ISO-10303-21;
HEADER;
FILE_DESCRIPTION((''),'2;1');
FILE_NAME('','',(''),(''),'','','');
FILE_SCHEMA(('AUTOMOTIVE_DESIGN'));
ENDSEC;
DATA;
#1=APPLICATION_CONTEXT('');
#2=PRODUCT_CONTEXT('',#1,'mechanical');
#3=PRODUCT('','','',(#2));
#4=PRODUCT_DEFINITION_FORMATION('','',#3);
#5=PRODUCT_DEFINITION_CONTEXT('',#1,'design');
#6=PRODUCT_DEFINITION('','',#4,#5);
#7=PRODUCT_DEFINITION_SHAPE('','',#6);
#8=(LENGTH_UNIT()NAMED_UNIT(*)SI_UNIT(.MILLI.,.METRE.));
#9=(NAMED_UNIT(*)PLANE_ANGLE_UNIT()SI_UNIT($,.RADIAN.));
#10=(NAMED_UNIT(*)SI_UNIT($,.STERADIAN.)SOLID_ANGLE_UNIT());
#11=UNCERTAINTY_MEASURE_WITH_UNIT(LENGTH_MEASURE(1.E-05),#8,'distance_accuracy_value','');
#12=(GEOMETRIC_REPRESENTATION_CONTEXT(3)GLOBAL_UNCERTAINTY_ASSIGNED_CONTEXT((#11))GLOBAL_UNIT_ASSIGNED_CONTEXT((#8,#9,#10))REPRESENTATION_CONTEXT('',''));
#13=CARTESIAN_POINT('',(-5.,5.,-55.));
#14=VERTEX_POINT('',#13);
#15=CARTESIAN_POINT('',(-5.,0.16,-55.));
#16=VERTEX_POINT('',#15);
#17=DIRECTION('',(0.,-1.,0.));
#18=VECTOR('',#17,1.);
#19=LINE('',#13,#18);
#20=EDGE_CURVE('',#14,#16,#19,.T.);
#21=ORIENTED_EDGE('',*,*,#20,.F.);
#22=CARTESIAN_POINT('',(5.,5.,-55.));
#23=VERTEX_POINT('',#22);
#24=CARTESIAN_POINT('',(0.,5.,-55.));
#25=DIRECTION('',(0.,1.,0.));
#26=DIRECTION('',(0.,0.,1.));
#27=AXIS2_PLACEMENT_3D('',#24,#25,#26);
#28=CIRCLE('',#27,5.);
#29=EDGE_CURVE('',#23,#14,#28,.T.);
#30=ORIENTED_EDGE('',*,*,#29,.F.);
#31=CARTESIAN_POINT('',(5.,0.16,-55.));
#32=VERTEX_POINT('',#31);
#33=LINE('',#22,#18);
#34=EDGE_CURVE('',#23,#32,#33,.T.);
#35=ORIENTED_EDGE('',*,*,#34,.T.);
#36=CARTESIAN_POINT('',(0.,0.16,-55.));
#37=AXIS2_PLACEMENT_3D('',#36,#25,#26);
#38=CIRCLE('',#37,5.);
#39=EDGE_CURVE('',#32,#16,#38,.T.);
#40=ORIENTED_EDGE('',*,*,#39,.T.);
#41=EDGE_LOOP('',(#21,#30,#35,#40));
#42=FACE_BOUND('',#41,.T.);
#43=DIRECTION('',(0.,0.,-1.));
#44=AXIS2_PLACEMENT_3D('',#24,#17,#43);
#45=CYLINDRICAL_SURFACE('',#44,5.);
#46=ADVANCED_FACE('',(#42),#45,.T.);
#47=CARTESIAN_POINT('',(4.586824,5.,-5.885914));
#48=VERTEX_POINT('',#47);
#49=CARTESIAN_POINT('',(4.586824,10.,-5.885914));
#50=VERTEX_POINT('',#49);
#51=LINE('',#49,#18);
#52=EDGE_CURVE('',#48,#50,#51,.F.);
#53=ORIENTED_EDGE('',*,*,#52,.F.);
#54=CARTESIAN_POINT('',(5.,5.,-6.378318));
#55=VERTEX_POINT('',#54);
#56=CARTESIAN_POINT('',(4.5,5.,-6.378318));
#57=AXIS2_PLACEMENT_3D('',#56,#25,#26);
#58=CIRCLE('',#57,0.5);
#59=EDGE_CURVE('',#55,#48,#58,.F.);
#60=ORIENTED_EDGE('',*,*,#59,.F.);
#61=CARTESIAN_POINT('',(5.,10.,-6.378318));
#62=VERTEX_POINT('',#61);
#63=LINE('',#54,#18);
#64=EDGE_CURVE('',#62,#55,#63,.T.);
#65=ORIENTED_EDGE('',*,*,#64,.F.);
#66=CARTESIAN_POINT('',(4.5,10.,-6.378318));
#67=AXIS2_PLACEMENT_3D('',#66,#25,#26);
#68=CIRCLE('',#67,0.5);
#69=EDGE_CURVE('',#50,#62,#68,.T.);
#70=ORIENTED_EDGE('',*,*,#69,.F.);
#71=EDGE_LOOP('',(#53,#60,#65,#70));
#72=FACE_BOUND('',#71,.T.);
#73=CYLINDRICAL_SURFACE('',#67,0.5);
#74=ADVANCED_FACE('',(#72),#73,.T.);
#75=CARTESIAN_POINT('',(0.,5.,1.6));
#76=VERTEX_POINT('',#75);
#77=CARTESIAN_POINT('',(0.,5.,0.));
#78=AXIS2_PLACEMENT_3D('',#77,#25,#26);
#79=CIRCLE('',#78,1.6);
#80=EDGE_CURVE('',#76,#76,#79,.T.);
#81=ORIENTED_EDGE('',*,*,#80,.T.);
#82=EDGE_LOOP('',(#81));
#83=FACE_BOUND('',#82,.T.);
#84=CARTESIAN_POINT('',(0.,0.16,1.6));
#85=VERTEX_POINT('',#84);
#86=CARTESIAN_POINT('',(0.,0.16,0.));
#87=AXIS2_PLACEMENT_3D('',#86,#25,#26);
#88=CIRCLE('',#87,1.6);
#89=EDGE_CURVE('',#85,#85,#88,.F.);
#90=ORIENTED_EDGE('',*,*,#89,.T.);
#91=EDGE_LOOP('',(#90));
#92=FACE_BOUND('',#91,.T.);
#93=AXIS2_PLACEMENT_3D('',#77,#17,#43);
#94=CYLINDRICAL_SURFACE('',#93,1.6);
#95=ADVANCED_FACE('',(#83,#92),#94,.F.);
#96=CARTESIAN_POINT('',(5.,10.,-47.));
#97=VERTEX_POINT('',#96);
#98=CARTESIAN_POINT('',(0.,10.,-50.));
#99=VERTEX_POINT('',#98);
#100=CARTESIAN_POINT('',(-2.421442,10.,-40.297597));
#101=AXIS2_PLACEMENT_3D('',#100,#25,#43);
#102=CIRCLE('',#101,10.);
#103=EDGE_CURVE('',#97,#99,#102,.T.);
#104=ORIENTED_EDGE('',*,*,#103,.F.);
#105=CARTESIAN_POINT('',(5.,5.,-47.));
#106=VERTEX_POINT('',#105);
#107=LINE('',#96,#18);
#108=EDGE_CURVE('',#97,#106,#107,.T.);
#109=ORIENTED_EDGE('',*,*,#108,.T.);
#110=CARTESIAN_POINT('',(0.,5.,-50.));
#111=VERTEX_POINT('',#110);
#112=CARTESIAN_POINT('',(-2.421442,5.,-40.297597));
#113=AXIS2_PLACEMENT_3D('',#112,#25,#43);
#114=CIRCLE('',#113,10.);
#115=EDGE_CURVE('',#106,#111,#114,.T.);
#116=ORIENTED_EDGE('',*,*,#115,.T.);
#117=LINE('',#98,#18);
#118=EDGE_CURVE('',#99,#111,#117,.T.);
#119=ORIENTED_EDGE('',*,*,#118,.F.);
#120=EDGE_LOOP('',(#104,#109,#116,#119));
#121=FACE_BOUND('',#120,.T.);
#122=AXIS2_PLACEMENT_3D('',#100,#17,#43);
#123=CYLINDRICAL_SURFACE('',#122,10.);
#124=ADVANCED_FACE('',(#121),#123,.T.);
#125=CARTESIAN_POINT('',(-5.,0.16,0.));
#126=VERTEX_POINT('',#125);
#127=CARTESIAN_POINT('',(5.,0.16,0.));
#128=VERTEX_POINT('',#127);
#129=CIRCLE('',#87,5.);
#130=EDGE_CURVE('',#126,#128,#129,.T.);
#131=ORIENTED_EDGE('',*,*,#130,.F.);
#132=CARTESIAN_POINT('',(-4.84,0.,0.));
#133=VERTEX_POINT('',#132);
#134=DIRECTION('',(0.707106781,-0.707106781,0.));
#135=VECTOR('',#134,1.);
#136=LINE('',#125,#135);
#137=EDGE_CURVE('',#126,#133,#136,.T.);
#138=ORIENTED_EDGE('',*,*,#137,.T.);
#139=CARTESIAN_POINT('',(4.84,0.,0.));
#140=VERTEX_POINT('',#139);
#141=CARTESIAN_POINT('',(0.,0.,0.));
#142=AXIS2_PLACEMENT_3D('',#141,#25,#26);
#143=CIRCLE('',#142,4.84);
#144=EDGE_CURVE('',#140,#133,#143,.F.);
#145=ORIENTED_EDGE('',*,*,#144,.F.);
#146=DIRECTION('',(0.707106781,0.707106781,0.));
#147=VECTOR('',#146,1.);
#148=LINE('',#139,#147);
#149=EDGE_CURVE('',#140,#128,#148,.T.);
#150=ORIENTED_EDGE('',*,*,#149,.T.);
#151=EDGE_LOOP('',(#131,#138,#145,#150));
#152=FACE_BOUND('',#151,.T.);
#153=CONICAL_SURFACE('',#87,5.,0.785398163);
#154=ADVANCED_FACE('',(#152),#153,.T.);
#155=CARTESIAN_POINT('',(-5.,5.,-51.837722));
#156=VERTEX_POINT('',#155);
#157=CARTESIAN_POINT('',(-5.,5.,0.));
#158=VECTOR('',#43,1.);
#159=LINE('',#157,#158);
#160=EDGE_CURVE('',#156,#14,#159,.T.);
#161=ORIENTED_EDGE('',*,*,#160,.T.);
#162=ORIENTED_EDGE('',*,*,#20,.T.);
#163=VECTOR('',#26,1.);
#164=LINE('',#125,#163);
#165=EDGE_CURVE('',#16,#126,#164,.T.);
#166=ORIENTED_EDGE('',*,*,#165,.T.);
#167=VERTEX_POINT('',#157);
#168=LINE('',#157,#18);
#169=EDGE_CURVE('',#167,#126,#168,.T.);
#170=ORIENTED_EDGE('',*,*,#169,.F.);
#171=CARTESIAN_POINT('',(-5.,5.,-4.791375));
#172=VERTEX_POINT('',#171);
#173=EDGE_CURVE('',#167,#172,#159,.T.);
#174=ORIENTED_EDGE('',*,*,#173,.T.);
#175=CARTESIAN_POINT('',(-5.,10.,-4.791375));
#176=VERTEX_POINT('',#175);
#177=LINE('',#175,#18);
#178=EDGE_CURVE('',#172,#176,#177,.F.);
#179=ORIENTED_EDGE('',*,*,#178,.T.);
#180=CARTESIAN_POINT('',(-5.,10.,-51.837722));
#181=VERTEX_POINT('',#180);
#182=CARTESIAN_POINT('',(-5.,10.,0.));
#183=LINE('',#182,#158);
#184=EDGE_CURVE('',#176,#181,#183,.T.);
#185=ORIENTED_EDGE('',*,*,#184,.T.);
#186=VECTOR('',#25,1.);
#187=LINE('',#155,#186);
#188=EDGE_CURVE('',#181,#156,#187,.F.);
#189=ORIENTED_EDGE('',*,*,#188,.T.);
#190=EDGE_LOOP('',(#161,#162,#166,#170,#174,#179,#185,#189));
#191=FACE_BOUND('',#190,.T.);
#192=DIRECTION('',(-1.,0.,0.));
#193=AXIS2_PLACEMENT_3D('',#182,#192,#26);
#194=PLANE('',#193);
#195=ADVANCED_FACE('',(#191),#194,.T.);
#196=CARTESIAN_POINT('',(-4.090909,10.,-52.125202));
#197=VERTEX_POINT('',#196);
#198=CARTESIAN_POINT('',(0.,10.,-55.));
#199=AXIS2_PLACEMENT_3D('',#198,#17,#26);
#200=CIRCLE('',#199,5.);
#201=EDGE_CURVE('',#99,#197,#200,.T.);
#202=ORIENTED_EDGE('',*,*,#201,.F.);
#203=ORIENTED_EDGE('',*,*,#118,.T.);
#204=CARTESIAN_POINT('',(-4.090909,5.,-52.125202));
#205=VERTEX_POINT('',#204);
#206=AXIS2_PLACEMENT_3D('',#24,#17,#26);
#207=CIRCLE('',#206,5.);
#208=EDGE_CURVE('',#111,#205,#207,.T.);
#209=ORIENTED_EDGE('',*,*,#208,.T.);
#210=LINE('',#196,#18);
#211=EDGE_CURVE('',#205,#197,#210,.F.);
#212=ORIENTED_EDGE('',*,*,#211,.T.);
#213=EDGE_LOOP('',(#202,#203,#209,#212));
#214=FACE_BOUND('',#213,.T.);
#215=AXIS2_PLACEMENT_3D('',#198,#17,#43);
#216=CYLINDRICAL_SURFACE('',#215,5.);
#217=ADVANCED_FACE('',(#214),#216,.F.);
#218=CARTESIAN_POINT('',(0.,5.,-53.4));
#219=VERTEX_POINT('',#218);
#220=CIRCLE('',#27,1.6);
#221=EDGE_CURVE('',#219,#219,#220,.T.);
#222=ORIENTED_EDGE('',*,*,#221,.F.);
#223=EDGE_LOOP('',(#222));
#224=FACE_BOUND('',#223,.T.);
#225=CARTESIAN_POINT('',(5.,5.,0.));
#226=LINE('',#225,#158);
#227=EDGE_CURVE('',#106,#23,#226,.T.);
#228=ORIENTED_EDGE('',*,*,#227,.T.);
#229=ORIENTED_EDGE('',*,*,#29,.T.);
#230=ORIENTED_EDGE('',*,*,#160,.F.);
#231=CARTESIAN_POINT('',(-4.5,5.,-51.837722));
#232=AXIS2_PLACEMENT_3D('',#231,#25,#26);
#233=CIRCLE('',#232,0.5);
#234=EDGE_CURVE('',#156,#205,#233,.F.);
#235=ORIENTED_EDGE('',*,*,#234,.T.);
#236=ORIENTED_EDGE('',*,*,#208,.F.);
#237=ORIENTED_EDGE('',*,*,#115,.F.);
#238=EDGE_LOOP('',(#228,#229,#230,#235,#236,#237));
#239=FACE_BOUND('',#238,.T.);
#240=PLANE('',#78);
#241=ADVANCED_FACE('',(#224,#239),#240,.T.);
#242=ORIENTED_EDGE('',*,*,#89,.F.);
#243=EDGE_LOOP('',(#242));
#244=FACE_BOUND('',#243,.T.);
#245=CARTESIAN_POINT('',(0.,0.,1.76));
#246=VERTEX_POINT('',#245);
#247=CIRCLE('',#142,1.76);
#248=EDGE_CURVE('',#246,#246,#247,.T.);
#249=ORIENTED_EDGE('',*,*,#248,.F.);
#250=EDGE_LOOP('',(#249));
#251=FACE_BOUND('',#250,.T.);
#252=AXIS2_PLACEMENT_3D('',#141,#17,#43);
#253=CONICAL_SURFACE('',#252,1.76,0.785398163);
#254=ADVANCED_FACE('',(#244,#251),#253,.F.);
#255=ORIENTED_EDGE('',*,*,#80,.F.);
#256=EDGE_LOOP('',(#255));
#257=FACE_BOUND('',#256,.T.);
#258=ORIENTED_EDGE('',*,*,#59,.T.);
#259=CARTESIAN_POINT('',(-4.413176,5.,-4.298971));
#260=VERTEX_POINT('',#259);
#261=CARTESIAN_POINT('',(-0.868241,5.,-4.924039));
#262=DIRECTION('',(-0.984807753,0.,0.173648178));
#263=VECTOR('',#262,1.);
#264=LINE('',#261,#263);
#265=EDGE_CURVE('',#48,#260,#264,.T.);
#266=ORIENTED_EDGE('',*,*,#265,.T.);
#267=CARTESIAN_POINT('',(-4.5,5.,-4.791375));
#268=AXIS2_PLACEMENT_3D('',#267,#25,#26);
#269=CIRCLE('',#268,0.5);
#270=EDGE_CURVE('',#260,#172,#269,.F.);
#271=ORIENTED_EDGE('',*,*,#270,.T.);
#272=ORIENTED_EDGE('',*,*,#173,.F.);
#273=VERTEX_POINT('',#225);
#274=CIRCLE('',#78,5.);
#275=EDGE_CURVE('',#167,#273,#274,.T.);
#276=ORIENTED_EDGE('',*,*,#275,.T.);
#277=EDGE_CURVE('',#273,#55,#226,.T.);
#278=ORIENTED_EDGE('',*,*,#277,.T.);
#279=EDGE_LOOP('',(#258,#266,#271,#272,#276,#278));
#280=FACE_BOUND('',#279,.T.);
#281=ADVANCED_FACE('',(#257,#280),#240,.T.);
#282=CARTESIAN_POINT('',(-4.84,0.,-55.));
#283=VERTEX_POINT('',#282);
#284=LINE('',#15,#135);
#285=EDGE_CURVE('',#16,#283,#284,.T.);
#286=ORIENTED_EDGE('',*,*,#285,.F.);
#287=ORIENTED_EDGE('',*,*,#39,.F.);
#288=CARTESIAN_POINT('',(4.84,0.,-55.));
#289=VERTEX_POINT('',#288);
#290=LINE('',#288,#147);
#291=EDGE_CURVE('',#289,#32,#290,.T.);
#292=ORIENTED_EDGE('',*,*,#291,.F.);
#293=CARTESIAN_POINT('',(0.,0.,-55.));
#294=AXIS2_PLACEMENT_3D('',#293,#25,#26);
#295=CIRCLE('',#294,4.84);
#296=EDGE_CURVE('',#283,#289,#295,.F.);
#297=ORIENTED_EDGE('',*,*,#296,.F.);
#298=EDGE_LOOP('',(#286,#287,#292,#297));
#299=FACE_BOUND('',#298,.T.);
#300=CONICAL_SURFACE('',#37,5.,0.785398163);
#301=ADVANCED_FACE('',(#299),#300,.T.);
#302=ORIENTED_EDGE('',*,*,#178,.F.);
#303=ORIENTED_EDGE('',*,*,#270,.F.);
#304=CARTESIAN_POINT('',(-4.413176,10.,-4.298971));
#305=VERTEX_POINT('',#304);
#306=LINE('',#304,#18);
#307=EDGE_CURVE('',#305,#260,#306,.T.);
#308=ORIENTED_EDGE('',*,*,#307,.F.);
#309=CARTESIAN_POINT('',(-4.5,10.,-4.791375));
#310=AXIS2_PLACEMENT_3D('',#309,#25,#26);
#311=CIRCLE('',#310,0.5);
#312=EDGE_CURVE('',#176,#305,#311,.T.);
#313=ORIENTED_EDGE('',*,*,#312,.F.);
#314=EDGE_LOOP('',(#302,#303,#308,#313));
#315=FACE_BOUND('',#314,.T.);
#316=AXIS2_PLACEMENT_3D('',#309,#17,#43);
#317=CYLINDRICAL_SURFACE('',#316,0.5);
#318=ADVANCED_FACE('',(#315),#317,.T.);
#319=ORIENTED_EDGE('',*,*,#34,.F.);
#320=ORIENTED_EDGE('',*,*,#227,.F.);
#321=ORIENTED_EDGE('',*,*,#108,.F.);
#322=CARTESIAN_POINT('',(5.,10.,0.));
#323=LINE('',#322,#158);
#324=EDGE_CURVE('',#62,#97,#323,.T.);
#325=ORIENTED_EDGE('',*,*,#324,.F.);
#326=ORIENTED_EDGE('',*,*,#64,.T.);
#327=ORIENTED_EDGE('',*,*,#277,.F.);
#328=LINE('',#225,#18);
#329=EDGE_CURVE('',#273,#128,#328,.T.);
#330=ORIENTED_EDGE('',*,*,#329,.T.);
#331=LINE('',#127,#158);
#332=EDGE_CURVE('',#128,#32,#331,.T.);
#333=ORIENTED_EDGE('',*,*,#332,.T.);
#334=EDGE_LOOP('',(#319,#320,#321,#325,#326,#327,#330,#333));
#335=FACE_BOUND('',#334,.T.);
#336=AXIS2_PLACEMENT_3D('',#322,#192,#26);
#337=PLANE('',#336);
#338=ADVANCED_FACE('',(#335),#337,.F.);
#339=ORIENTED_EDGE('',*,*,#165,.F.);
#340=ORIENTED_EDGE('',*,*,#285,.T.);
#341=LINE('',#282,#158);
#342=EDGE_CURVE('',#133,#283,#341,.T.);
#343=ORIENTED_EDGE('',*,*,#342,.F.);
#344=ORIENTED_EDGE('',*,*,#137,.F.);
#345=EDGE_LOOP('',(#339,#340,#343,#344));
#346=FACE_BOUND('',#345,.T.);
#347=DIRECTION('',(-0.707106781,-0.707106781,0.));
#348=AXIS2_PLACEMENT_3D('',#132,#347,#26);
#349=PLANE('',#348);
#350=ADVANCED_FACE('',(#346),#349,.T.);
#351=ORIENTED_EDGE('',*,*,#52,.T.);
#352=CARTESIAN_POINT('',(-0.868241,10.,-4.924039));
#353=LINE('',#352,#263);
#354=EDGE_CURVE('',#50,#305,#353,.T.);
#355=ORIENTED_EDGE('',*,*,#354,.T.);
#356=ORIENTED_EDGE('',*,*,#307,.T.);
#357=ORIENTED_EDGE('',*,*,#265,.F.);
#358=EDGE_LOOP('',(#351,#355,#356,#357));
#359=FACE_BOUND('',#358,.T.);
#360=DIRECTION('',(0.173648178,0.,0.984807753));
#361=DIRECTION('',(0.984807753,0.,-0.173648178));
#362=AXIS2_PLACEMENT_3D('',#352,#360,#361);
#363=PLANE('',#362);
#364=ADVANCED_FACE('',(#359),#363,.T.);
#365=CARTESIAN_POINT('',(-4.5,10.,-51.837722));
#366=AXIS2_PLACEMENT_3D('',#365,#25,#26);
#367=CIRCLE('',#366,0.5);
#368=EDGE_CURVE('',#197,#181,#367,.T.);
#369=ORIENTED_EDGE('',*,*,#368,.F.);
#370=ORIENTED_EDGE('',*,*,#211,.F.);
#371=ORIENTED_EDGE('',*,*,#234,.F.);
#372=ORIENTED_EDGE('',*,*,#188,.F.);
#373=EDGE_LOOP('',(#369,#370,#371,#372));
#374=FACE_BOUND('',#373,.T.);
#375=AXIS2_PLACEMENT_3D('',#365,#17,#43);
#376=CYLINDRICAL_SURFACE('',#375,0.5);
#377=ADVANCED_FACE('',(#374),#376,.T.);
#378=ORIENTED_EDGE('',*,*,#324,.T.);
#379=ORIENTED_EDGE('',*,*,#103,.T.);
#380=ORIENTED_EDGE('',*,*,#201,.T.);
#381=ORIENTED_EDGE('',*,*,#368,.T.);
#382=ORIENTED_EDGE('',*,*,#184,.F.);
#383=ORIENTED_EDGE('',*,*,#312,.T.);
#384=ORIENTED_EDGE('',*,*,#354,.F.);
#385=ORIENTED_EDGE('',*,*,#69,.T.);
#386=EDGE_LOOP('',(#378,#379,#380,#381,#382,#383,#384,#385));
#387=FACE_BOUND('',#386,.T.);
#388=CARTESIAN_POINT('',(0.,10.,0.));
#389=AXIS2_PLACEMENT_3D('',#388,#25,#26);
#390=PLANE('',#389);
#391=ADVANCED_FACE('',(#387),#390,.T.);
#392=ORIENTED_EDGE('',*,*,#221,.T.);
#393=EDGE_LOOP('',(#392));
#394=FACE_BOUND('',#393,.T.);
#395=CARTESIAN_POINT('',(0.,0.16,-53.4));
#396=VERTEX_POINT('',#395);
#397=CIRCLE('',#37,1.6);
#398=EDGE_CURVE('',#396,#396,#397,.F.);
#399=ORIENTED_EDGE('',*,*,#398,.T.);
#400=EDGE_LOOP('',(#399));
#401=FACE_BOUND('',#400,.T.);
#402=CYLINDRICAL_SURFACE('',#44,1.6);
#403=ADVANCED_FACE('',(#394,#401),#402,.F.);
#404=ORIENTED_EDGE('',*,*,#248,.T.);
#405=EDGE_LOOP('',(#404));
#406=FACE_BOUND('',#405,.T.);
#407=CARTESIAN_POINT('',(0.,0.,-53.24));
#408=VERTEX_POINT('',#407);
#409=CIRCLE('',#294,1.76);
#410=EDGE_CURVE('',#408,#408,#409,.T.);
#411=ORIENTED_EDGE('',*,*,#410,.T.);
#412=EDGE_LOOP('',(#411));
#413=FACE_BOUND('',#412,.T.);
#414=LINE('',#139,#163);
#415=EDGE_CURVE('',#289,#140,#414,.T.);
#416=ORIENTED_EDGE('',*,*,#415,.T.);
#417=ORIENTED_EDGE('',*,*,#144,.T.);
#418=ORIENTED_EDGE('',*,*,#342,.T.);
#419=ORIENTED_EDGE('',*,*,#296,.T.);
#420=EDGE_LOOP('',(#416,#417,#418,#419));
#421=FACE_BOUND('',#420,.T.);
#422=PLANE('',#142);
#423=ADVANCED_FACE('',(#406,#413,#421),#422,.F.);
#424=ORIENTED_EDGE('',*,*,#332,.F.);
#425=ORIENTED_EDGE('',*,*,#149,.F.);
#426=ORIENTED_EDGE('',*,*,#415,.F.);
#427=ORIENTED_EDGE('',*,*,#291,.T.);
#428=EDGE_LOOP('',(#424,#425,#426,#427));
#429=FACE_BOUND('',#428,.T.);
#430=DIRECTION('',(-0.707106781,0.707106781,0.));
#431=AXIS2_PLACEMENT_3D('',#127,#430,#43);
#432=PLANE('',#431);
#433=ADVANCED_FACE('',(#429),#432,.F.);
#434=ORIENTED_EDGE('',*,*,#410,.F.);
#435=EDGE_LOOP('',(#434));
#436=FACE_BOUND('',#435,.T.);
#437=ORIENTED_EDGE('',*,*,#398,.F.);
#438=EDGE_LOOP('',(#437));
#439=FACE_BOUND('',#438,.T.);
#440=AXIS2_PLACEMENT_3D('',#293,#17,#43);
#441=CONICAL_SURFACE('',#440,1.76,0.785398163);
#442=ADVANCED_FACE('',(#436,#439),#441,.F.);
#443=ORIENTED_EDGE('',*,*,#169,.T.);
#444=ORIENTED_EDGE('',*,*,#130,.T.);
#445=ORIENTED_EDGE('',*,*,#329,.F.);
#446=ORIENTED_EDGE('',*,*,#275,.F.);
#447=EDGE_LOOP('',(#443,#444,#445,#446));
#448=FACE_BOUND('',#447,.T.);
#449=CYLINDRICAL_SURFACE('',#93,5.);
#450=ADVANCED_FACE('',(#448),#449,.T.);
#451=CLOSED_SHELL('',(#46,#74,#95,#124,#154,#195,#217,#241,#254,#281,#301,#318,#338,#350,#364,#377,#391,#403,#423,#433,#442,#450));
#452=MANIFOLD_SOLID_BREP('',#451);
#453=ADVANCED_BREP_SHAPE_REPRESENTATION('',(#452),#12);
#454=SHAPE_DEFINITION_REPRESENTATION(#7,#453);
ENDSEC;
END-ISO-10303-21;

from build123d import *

# Parameters (mm, degrees)
CENTER_BODY_DEPTH               = 10
SKETCH1_3_R                     = 1.6
SKETCH1_3_R_2                   = 1.6000000000000003
CONNECTOR_BODY_DEPTH            = 5
MECH_LOCK_RIGHT_DEPTH           = 5
DULLING_FILLET_GENERAL_R        = 0.5
ELEPHANTSFOOT_COMPENSATION_SIZE = 0.16
DULLING_FILLET_RIGHT_R          = 0.5


with BuildPart() as part:
    # complete_sketch → center_body (new body)
    with BuildSketch(Plane(origin=(0, 0, 0), x_dir=(1, 0, 0), z_dir=(0, 1, 0))):
        Polygon((-5, 47), (-5, 4.195498155886381), (5, 5.958767962971076), (5, 47), align=None)
    extrude(amount=CENTER_BODY_DEPTH)

    # Sketch1<3> → connector_body (add)
    # profile 1 of 2: a face of its own
    with BuildSketch(Plane(origin=(0, 0, 0), x_dir=(1, 0, 0), z_dir=(0, 1, 0))):
        with BuildLine():
            Line((-5, 4.195498155886381), (-5, 0))
            ThreePointArc((-5, 0), (-3.1e-16, -5), (5, -6.1e-16))
            Line((5, 0), (5, 5.958767962971076))
            Line((5, 5.958767962971076), (-5, 4.195498155886381))
        make_face()
        Circle(SKETCH1_3_R, mode=Mode.SUBTRACT)
    # profile 2 of 2: a face of its own
    with BuildSketch(Plane(origin=(0, 0, 0), x_dir=(1, 0, 0), z_dir=(0, 1, 0))):
        with BuildLine():
            Line((-5, 55), (-5, 47))
            Line((-5, 47), (5, 47))
            Line((5.000000000000001, 47), (5, 55))
            ThreePointArc((5, 55), (-1.4e-16, 60), (-5, 55))
        make_face()
        with Locations((0, 55)):
            Circle(SKETCH1_3_R_2, mode=Mode.SUBTRACT)
    extrude(amount=CONNECTOR_BODY_DEPTH)

    # Sketch2 → mech_lock_right (add)
    with BuildSketch(Plane(origin=(0, 5, 0), x_dir=(1, 0, 0), z_dir=(0, 1, 0))):
        with BuildLine():
            Line((5, 47), (-5, 47))
            Line((-5, 47), (-5, 55))
            ThreePointArc((-5, 55), (-3.5355339059327315, 51.46446609406727), (0, 50))
            ThreePointArc((0, 50), (2.7235158716690253, 48.87252645278171), (5, 47))
        make_face()
    extrude(amount=MECH_LOCK_RIGHT_DEPTH)

    # dulling_fillet_general
    dulling_fillet_general_edges = [part.edges().sort_by_distance(p)[0] for p in [
        (5, 7.5, -5.958767962971076),
        (-5, 7.5, -4.195498155886381),
    ]]
    fillet(dulling_fillet_general_edges, radius=DULLING_FILLET_GENERAL_R)

    # elephantsfoot_compensation
    elephantsfoot_compensation_edges = [part.edges().sort_by_distance(p)[0] for p in [
        (-1.6000000000000003, 0, -55),
        (-1.6, 0, -2e-16),
        (1.4e-16, 0, 5),
        (-1.4e-16, 0, -60),
        (5, 0, -27.5),
        (-5, 0, -27.5),
    ]]
    chamfer(elephantsfoot_compensation_edges, length=ELEPHANTSFOOT_COMPENSATION_SIZE)

    # dulling_fillet_right
    dulling_fillet_right_edges = [part.edges().sort_by_distance(p)[0] for p in [
        (-4.999999999999998, 7.5, -55),
    ]]
    fillet(dulling_fillet_right_edges, radius=DULLING_FILLET_RIGHT_R)


solid = part.part
